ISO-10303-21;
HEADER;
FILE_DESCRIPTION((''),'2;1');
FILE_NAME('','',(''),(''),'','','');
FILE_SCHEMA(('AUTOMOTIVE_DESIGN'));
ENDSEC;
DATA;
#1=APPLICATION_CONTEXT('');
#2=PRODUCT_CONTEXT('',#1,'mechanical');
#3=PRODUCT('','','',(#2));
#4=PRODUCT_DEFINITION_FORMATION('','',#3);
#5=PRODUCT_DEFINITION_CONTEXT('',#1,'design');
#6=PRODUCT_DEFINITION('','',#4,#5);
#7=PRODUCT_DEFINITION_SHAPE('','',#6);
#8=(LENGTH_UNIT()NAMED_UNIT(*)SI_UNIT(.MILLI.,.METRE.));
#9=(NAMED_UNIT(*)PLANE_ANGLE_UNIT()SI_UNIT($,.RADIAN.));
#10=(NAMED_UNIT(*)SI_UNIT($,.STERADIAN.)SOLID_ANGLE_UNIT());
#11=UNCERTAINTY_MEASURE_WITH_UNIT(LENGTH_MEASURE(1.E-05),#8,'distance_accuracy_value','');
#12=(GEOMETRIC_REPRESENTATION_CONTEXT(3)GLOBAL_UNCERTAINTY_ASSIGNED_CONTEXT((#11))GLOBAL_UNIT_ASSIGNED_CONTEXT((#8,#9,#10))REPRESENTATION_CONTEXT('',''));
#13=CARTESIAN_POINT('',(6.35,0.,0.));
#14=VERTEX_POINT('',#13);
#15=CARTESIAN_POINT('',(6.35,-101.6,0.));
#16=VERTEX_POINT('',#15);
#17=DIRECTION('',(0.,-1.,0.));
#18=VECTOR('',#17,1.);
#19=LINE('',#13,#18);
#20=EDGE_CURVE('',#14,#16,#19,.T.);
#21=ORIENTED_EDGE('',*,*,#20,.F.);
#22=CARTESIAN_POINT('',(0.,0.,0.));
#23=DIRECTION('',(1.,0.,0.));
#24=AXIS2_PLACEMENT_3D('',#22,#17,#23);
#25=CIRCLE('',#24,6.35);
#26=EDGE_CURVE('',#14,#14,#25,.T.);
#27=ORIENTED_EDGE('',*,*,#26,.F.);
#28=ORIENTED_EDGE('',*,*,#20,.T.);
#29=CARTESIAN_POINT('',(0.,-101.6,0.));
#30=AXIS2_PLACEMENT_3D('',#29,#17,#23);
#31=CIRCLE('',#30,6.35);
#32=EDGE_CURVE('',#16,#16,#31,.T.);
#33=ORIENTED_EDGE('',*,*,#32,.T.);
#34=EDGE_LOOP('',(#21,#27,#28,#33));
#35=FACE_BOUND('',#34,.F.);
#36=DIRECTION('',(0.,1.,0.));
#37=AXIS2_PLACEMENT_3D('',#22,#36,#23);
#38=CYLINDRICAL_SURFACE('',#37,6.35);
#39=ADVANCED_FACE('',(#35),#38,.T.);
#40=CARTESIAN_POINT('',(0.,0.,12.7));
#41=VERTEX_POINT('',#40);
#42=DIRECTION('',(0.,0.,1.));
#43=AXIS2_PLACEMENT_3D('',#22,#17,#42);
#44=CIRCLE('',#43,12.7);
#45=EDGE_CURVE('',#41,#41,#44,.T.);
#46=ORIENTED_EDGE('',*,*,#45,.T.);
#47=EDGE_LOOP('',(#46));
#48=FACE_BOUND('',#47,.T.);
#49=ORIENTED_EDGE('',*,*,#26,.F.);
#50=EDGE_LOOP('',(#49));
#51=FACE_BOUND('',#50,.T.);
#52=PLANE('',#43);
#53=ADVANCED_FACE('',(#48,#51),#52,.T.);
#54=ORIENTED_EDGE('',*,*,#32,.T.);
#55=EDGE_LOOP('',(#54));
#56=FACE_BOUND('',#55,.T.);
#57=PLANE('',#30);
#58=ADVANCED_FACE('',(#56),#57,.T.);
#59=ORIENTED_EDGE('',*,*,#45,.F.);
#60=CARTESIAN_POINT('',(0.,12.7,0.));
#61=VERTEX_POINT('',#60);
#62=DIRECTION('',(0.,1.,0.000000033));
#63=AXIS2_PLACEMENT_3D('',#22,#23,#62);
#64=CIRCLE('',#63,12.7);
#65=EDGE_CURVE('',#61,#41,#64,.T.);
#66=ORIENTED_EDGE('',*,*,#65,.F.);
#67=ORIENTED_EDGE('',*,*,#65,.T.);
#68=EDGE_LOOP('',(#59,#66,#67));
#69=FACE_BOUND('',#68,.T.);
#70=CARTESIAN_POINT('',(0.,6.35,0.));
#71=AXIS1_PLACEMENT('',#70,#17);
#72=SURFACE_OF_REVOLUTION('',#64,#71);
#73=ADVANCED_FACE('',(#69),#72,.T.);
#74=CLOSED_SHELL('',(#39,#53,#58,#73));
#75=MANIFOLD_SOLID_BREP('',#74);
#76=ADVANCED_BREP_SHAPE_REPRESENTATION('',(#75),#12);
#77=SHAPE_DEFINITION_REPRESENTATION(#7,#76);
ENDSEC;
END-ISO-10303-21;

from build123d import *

# Parameters (mm, degrees)
F0_R     = 6.35
F1_DEPTH = 101.6


with BuildPart() as f1:
    # F0 (on Front) → F1 (new body)
    with BuildSketch(Plane.XZ):
        Circle(F0_R)
    extrude(amount=F1_DEPTH)

    # F2 (on Right) → F3 (revolve)
    with BuildSketch(Plane.YZ):
        with BuildLine():
            Line((0, 12.7), (0, 0))
            Line((0, 0), (12.7, 0))
            ThreePointArc((12.7, 0), (8.980256, 8.980256), (0, 12.7))
        make_face()
    revolve(axis=Axis((0, 6.35, 0), (0, -1, 0)))


solid = f1.part
